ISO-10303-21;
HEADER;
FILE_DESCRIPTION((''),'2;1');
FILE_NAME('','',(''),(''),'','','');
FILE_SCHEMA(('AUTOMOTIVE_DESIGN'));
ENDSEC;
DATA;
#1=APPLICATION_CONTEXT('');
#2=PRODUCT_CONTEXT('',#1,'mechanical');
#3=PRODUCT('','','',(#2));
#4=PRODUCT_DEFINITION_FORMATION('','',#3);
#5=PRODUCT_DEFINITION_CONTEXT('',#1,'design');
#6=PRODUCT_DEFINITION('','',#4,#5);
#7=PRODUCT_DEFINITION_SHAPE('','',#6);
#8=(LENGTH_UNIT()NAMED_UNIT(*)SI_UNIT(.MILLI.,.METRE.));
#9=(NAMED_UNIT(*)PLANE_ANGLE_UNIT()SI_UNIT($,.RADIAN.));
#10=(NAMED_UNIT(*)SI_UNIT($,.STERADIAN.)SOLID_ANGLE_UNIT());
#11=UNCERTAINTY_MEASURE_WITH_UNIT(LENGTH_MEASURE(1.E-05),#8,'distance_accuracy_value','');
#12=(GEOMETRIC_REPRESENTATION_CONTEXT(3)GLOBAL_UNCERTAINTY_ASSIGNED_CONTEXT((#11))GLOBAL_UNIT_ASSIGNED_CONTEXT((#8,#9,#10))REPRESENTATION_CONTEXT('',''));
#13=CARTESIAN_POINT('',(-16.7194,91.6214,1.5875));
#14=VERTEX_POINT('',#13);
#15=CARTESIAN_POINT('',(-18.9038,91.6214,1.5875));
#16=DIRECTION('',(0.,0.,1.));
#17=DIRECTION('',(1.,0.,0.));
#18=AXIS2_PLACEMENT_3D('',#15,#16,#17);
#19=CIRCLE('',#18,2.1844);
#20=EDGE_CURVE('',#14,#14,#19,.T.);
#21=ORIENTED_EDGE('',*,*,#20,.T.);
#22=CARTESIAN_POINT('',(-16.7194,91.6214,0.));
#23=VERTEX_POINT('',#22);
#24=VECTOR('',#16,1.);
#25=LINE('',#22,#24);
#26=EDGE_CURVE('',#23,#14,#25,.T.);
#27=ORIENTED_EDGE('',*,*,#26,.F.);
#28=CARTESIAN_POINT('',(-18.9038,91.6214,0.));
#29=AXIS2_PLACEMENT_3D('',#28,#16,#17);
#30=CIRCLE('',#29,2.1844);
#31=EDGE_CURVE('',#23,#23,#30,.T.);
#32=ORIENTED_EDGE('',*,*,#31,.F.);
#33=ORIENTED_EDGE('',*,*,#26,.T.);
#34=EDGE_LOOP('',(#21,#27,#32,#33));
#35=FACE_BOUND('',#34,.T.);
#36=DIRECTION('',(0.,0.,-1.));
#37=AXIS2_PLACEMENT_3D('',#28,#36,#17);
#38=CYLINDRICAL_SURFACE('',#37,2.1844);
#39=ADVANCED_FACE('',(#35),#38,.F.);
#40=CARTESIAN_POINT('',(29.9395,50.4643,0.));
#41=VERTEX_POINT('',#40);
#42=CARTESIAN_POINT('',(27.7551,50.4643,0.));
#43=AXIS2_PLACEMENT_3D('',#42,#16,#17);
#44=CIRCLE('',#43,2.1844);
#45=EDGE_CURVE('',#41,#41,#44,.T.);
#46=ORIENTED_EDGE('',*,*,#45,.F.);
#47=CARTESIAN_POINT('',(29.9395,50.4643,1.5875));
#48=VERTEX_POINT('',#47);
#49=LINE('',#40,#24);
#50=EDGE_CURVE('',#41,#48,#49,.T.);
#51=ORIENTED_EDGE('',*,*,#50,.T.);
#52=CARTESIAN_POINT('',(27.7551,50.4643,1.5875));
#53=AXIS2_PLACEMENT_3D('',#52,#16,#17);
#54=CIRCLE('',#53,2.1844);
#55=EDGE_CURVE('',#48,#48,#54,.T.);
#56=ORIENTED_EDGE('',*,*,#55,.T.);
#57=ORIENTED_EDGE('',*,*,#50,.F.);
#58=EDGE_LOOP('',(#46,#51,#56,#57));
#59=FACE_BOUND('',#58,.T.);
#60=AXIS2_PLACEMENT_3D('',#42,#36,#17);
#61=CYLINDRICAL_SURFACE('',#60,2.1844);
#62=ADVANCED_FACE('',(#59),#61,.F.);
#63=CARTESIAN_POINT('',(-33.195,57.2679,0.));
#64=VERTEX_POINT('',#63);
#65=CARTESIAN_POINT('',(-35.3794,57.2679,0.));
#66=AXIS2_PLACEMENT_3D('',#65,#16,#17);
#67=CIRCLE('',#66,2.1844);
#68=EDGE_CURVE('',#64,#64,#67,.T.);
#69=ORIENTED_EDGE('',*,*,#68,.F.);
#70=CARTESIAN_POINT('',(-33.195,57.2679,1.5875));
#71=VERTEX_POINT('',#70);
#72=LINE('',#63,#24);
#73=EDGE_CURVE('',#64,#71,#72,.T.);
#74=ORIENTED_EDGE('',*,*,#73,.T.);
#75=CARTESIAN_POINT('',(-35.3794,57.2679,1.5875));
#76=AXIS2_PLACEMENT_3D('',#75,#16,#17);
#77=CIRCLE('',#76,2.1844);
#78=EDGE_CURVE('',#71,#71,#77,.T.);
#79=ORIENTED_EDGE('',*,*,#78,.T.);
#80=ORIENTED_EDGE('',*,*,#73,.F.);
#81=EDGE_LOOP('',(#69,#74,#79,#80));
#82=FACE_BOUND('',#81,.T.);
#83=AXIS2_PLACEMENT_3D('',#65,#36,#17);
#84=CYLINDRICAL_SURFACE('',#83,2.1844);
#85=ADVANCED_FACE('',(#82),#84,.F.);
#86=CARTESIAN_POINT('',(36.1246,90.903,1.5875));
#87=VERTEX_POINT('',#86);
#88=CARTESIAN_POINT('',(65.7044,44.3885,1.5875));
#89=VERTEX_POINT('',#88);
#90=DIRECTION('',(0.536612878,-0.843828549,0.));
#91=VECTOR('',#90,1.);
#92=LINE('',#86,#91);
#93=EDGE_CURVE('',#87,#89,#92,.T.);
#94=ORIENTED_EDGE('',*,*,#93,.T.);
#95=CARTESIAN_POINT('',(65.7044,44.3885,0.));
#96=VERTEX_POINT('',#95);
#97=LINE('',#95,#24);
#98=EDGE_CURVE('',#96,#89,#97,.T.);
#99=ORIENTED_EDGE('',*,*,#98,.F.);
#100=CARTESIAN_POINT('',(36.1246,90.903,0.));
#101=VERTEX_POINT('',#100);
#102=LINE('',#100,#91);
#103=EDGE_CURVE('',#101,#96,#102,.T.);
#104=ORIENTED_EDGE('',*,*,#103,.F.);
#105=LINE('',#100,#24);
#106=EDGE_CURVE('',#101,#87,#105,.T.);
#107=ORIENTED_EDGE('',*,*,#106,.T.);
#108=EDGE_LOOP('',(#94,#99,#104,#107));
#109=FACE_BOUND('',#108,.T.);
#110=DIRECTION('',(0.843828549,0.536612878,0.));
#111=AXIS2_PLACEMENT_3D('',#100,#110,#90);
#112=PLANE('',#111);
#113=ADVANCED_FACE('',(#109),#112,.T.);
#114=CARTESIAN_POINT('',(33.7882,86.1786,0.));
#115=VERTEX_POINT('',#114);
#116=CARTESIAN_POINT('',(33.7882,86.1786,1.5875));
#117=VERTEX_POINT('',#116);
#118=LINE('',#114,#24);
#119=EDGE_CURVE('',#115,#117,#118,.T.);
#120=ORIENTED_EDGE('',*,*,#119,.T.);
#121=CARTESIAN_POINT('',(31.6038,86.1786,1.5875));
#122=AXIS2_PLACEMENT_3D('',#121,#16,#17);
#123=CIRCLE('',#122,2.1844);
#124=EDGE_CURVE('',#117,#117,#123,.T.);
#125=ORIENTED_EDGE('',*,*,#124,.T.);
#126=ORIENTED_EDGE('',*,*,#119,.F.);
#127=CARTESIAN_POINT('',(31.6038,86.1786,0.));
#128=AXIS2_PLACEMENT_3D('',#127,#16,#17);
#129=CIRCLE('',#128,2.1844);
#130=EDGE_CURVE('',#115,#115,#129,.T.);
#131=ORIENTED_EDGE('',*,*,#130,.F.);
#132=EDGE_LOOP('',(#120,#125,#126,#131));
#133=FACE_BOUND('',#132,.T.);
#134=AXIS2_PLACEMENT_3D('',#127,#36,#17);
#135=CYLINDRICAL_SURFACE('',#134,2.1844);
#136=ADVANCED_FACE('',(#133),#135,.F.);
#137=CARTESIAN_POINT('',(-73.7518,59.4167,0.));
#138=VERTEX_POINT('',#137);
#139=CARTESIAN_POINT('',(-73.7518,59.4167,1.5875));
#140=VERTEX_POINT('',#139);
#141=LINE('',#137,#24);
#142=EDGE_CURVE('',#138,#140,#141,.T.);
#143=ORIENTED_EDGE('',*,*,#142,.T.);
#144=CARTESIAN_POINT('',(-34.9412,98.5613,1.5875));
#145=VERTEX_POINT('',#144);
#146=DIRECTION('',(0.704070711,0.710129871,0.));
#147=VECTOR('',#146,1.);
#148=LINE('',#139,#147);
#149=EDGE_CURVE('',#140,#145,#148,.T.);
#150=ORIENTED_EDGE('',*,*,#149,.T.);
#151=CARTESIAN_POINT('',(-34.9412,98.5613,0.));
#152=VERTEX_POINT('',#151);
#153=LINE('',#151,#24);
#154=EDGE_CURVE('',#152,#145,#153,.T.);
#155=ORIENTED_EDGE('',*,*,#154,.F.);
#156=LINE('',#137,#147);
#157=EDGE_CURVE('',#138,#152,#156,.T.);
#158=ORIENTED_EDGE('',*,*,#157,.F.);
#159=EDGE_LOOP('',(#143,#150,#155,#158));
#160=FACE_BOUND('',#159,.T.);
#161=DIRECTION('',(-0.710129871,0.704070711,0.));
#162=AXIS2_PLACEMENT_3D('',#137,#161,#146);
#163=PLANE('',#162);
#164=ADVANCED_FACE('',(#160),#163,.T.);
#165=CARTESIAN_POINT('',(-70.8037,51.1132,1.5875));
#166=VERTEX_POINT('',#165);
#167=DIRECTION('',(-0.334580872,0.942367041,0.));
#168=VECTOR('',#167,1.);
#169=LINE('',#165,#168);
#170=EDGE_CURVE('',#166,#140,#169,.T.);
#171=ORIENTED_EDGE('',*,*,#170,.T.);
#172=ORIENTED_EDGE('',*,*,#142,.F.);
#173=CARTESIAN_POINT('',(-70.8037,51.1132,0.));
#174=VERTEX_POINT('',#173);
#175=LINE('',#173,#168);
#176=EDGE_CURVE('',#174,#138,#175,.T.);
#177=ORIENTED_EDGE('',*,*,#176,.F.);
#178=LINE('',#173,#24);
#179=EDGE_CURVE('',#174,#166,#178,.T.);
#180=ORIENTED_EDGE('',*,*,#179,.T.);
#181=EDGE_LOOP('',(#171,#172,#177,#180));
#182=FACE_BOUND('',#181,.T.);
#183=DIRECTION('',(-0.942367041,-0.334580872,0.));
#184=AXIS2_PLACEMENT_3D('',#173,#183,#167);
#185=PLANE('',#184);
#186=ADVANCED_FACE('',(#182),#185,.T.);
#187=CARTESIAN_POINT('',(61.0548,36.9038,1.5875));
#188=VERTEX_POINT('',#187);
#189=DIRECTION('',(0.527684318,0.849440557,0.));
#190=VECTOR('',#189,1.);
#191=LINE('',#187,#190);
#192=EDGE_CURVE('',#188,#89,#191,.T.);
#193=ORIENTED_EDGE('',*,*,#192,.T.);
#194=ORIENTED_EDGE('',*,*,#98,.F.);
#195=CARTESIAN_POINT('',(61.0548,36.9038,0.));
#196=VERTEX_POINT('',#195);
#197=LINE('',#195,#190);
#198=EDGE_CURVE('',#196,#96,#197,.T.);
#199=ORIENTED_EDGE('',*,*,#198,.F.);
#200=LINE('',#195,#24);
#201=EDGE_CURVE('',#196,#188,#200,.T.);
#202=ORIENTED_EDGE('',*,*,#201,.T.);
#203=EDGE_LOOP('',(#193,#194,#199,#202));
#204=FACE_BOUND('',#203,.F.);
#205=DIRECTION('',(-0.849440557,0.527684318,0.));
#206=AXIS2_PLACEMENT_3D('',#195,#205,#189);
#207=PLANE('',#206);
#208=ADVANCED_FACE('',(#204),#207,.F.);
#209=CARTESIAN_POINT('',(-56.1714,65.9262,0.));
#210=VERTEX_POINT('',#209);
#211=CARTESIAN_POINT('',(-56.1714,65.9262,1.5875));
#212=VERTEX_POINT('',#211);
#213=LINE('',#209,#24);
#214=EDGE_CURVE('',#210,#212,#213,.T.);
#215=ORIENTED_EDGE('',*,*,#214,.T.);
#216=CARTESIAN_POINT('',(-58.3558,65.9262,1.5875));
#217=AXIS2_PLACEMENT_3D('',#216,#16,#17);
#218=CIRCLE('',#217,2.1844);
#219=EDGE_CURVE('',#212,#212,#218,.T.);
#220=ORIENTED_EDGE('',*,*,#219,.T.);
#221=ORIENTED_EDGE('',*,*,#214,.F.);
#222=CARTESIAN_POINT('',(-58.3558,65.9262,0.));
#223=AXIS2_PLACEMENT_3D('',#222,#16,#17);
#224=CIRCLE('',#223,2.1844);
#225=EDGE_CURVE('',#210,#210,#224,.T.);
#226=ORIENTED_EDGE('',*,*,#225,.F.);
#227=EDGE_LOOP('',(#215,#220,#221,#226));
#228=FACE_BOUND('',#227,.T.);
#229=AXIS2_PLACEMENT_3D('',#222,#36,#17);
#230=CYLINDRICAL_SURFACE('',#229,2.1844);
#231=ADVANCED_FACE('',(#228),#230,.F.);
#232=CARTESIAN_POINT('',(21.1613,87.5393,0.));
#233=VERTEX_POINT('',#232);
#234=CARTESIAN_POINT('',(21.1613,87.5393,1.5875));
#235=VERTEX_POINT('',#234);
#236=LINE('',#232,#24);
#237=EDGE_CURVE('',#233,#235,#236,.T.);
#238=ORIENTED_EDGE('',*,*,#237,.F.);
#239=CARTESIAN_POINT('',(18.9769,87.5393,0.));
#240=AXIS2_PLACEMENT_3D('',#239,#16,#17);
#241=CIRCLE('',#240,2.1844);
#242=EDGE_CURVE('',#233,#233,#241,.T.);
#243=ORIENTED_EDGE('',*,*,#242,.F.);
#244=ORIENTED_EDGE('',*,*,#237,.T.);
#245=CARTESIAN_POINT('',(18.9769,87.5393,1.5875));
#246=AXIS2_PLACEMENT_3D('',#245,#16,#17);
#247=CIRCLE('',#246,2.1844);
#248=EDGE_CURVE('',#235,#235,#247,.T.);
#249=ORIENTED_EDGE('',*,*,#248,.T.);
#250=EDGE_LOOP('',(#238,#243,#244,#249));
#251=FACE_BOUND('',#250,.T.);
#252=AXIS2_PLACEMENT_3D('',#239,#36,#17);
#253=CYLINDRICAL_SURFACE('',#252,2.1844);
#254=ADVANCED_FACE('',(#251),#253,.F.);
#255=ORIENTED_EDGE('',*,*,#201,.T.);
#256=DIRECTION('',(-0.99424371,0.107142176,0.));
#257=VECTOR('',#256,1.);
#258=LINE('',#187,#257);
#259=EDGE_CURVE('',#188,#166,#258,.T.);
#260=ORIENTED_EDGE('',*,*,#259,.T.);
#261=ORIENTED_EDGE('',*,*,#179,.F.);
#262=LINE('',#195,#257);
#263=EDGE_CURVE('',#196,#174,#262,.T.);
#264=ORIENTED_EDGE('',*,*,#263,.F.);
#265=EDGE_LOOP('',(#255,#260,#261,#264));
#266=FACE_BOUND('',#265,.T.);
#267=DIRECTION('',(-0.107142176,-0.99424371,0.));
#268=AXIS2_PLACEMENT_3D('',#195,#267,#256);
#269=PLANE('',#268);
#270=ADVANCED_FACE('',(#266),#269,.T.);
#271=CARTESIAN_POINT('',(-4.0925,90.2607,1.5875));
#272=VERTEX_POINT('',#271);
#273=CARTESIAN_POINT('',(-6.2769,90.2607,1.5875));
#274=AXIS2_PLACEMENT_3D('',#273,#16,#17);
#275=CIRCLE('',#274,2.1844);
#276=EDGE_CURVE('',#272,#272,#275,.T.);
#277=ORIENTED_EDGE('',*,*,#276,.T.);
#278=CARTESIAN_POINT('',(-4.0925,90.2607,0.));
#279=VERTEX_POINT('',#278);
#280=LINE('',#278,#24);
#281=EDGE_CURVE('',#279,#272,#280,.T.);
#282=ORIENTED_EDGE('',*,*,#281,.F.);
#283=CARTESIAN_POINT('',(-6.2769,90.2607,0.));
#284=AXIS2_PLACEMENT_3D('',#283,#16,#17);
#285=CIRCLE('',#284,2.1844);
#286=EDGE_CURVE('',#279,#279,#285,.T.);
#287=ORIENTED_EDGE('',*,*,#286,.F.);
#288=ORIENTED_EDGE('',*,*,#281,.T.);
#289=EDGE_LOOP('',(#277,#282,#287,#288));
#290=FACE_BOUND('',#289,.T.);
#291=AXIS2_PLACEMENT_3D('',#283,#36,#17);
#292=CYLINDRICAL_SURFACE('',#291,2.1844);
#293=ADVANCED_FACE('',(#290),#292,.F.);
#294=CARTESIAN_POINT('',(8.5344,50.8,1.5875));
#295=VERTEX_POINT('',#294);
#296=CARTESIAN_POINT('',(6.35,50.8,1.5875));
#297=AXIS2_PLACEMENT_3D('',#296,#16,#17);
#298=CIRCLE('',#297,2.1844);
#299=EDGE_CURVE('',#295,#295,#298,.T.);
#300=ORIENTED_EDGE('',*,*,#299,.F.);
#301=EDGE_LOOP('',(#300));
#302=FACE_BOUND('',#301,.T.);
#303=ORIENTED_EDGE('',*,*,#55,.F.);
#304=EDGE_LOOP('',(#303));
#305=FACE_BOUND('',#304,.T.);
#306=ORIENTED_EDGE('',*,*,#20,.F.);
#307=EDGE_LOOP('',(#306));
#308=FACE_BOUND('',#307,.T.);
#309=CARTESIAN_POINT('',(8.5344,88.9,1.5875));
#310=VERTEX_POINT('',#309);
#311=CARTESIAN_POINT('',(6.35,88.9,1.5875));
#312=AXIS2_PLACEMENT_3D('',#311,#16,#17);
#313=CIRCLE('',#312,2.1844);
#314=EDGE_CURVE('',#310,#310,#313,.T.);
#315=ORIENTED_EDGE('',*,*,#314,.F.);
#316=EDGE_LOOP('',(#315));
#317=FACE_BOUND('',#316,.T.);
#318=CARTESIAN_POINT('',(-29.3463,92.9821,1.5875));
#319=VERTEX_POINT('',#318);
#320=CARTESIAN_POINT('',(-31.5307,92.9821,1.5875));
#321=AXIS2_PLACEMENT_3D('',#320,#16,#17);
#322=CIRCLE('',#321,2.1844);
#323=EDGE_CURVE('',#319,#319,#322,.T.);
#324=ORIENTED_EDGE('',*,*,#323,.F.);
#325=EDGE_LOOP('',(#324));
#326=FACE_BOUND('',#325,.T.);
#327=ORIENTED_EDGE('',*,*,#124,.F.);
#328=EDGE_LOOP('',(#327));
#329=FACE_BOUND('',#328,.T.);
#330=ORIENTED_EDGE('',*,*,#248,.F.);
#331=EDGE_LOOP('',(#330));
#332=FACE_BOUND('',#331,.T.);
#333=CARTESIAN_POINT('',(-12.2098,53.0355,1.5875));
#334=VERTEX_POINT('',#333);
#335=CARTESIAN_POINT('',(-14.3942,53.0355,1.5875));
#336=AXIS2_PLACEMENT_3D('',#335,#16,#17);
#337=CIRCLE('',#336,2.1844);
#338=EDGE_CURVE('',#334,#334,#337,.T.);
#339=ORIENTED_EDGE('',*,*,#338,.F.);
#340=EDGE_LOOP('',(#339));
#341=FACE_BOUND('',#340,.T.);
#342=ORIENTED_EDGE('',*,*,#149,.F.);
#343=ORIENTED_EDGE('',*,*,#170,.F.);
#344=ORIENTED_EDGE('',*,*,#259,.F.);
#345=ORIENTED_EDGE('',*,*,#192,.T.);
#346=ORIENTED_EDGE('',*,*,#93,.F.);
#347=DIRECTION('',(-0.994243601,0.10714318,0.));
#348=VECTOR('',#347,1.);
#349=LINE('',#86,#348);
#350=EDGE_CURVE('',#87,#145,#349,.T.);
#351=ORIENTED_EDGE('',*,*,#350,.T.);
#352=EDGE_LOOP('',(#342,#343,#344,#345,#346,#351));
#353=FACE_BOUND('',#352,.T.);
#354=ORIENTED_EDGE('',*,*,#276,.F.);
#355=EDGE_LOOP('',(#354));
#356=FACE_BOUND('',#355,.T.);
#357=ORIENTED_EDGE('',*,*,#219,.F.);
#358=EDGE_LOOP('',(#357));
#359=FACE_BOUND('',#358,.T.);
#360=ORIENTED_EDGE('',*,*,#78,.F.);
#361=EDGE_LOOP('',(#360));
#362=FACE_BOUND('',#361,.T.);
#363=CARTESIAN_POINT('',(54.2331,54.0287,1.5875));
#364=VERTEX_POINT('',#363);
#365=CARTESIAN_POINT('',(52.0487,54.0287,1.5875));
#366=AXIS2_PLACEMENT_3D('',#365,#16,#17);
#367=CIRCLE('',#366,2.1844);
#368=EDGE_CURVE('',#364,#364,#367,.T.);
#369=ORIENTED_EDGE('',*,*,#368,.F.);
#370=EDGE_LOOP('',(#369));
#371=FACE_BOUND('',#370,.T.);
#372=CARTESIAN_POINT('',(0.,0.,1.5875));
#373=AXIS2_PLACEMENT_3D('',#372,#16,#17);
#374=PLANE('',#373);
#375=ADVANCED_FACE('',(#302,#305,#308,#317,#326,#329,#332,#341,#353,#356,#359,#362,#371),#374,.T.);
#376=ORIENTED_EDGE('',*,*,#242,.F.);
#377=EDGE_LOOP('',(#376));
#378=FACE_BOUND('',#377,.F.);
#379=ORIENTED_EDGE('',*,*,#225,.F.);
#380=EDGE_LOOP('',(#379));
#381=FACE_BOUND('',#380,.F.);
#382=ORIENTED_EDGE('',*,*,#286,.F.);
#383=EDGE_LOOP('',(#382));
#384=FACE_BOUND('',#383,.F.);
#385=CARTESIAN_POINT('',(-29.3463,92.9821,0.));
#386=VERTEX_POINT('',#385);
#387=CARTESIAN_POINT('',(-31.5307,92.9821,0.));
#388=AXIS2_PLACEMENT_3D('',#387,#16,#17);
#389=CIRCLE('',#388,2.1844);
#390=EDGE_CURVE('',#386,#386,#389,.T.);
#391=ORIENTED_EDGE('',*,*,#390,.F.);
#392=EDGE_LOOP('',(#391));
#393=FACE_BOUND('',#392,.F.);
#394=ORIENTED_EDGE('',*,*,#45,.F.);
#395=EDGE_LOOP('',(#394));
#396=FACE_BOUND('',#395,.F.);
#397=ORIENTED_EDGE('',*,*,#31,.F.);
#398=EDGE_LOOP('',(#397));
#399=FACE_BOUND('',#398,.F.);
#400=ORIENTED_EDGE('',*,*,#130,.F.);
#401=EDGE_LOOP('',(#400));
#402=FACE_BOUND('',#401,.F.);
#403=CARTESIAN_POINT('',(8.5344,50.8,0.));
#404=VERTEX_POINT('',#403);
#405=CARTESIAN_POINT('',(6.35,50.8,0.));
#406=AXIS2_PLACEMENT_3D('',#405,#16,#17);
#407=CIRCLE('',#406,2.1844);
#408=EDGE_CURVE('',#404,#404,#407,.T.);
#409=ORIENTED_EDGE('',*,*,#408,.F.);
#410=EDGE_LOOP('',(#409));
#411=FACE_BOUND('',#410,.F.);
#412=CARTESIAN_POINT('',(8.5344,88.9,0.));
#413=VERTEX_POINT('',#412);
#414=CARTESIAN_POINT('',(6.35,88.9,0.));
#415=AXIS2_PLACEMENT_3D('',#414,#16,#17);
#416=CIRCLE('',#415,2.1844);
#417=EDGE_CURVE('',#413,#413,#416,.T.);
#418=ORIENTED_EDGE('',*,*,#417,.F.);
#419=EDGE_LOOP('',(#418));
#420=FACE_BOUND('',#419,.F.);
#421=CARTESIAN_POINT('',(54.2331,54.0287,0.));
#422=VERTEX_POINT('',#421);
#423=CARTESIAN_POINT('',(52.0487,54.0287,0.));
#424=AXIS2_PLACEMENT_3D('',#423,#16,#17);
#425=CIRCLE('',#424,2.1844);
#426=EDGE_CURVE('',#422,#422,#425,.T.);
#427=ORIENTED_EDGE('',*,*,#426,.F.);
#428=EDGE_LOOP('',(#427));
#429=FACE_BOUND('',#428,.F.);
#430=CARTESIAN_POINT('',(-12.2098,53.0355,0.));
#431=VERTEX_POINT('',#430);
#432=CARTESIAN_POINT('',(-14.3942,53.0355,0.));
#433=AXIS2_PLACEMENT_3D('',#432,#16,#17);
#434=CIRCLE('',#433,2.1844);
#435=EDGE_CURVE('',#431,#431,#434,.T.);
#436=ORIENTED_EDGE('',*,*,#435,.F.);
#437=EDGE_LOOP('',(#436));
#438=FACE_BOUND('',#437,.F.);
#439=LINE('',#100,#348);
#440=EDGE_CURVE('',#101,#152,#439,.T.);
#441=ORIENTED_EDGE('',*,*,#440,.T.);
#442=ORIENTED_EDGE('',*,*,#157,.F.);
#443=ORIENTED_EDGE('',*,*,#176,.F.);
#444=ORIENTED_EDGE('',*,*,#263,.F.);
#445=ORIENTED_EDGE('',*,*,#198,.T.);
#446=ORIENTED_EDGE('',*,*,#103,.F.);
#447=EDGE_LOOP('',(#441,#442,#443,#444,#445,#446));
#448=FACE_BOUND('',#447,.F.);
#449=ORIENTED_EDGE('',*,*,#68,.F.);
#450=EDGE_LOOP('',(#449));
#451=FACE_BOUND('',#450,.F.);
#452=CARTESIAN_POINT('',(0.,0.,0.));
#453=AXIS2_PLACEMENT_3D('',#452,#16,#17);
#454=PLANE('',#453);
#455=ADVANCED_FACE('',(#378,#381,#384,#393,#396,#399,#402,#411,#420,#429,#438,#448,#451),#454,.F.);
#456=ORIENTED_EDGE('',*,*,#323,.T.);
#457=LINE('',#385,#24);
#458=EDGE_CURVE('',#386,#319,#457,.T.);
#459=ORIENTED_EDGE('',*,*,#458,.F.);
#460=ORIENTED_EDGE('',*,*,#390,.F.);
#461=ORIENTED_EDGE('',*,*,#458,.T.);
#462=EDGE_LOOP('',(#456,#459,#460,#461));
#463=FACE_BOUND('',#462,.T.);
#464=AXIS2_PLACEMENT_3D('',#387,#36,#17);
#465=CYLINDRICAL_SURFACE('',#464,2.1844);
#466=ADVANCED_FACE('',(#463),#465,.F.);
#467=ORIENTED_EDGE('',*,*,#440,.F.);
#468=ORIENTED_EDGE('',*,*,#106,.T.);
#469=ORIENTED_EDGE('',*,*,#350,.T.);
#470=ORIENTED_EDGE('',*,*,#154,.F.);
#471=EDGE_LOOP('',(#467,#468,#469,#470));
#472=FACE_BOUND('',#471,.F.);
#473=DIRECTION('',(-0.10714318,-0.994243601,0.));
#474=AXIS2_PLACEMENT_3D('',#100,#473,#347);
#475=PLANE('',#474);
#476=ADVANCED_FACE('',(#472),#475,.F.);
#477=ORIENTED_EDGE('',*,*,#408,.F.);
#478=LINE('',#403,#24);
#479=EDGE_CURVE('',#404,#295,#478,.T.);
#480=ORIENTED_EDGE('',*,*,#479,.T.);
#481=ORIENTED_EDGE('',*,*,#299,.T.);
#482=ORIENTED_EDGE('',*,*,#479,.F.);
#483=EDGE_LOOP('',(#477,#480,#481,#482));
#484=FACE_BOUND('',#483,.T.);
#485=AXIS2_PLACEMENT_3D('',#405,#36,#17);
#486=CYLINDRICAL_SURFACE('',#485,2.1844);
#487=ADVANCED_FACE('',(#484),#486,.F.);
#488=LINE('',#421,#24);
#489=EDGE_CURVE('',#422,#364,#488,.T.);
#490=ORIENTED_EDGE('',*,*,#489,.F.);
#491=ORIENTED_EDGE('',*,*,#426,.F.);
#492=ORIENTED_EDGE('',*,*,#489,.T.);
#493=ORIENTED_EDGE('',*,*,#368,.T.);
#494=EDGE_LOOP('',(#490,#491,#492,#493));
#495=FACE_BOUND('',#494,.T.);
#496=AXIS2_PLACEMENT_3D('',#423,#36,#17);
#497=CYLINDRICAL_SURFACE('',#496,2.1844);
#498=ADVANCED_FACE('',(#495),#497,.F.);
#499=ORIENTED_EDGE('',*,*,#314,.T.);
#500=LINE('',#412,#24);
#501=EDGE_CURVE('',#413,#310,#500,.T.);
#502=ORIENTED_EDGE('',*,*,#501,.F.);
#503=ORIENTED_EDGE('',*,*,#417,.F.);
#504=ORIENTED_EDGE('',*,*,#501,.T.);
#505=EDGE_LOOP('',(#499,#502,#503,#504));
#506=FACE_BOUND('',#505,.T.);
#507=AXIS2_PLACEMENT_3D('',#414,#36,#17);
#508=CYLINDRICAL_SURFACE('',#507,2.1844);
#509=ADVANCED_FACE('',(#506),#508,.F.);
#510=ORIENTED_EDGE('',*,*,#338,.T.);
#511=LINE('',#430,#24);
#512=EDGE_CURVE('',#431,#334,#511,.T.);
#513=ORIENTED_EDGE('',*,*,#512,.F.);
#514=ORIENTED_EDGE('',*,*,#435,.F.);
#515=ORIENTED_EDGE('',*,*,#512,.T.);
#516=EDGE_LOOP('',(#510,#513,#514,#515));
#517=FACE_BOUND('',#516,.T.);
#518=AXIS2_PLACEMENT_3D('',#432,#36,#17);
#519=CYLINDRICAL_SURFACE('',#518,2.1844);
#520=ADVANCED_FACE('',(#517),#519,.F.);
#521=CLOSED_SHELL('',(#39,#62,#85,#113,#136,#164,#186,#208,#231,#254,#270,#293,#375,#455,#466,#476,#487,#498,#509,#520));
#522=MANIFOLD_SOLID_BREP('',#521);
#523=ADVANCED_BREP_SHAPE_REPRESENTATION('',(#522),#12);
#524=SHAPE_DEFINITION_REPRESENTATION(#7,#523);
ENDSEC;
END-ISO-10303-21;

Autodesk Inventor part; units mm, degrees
ref_plane "YZ Plane" through (0, 0, 0) normal (1, 0, 0) x (0, 1, 0)
ref_plane "XZ Plane" through (0, 0, 0) normal (0, 1, 0) x (-1, 0, 0)
ref_plane "XY Plane" through (0, 0, 0) normal (0, 0, 1) x (1, 0, 0)
sketch "Sketch1" plane through (0, 0, 0) normal (0, 0, 1) x (1, 0, 0)
  circle A0 centre (31.6038, 86.1786) radius 2.1844 projected
  circle A1 centre (18.9769, 87.5393) radius 2.1844 projected
  circle A2 centre (6.35, 88.9) radius 2.1844 projected
  circle A3 centre (-6.2769, 90.2607) radius 2.1844 projected
  circle A4 centre (-18.9038, 91.6214) radius 2.1844 projected
  circle A5 centre (-31.5307, 92.9821) radius 2.1844 projected
  line L0 (36.1246, 90.903) -> (-34.9412, 98.5613)
  line L1 (-73.7518, 59.4167) -> (-34.9412, 98.5613)
  line L2 (36.1246, 90.903) -> (65.7044, 44.3885)
  line L3 (61.0548, 36.9038) -> (-70.8037, 51.1132)
  circle A6 centre (52.0487, 54.0287) radius 2.1844 projected
  circle A7 centre (27.7551, 50.4643) radius 2.1844 projected
  circle A8 centre (6.35, 50.8) radius 2.1844 projected
  circle A9 centre (-14.3942, 53.0355) radius 2.1844 projected
  circle A10 centre (-35.3794, 57.2679) radius 2.1844 projected
  circle A11 centre (-58.3558, 65.9262) radius 2.1844 projected
  line L4 (61.0548, 36.9038) -> (65.7044, 44.3885)
  line L5 (-70.8037, 51.1132) -> (-73.7518, 59.4167)
  point P0 (0, 0)
  point P1 (-80.9052, 52.2018)
  point P2 (71.1563, 35.8152)
  dimension "d2" = 10.16
  dimension "d3" = 10.16
  dimension "d4" = 10.16
  dimension "d5" = 10.16
extrude "Extrusion1" add sketch "Sketch1" along normal blind 1.5875
equation "\"d3\" = d2"
equation "\"d4\" = d2"
equation "\"d5\" = d4"
properties part number "Endgame main polycarb"
